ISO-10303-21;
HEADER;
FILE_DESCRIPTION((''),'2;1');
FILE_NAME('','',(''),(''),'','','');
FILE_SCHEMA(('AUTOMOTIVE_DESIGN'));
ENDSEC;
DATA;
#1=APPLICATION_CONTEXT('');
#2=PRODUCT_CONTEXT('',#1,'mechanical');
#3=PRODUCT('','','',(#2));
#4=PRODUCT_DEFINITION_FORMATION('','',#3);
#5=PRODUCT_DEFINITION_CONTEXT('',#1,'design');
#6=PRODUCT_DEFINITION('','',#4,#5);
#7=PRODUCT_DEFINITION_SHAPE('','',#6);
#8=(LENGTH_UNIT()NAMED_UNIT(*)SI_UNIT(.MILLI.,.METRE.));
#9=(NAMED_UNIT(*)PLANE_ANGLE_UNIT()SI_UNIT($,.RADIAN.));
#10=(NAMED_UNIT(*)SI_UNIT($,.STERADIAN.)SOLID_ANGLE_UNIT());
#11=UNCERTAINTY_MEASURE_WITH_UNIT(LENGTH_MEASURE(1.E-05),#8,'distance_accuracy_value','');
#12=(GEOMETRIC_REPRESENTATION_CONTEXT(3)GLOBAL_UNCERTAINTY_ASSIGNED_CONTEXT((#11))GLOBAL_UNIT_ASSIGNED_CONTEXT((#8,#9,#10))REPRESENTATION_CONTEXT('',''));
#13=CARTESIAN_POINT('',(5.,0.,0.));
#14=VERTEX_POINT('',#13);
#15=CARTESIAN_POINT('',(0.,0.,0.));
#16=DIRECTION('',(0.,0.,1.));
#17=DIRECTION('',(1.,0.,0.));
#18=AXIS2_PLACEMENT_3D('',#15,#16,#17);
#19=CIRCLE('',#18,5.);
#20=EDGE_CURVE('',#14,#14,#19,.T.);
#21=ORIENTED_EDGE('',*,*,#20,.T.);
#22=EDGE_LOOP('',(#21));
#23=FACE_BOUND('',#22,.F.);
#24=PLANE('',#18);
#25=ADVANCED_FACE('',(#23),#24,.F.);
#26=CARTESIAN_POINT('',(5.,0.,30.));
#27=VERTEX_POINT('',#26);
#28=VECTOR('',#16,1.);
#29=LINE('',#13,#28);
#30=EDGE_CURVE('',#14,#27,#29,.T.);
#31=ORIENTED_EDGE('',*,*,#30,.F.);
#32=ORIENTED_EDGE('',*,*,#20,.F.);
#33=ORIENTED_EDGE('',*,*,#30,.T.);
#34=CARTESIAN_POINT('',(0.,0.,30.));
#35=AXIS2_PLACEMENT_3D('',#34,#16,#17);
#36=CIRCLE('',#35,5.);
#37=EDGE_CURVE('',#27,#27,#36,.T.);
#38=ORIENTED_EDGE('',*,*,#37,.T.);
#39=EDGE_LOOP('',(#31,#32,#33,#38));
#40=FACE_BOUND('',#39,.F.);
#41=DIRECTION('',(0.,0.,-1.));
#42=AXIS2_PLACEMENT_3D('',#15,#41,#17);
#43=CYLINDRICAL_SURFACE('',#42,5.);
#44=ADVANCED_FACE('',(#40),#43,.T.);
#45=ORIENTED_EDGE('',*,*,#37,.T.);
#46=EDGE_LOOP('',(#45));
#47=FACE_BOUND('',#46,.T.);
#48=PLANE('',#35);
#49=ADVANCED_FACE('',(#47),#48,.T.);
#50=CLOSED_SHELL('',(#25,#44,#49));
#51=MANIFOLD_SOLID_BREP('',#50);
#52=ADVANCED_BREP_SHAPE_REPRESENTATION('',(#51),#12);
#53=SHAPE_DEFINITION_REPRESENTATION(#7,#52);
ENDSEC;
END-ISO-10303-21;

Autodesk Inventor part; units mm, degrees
ref_plane "YZ Plane" through (0, 0, 0) normal (1, 0, 0) x (0, 1, 0)
ref_plane "XZ Plane" through (0, 0, 0) normal (0, 1, 0) x (-1, 0, 0)
ref_plane "XY Plane" through (0, 0, 0) normal (0, 0, 1) x (1, 0, 0)
sketch "Sketch1" plane through (0, 0, 0) normal (0, 0, 1) x (1, 0, 0)
  circle A0 centre (0, 0) radius 5
  dimension "d0" = 10
extrude "Extrusion1" add sketch "Sketch1" along normal blind 30
properties part number "bolt"
